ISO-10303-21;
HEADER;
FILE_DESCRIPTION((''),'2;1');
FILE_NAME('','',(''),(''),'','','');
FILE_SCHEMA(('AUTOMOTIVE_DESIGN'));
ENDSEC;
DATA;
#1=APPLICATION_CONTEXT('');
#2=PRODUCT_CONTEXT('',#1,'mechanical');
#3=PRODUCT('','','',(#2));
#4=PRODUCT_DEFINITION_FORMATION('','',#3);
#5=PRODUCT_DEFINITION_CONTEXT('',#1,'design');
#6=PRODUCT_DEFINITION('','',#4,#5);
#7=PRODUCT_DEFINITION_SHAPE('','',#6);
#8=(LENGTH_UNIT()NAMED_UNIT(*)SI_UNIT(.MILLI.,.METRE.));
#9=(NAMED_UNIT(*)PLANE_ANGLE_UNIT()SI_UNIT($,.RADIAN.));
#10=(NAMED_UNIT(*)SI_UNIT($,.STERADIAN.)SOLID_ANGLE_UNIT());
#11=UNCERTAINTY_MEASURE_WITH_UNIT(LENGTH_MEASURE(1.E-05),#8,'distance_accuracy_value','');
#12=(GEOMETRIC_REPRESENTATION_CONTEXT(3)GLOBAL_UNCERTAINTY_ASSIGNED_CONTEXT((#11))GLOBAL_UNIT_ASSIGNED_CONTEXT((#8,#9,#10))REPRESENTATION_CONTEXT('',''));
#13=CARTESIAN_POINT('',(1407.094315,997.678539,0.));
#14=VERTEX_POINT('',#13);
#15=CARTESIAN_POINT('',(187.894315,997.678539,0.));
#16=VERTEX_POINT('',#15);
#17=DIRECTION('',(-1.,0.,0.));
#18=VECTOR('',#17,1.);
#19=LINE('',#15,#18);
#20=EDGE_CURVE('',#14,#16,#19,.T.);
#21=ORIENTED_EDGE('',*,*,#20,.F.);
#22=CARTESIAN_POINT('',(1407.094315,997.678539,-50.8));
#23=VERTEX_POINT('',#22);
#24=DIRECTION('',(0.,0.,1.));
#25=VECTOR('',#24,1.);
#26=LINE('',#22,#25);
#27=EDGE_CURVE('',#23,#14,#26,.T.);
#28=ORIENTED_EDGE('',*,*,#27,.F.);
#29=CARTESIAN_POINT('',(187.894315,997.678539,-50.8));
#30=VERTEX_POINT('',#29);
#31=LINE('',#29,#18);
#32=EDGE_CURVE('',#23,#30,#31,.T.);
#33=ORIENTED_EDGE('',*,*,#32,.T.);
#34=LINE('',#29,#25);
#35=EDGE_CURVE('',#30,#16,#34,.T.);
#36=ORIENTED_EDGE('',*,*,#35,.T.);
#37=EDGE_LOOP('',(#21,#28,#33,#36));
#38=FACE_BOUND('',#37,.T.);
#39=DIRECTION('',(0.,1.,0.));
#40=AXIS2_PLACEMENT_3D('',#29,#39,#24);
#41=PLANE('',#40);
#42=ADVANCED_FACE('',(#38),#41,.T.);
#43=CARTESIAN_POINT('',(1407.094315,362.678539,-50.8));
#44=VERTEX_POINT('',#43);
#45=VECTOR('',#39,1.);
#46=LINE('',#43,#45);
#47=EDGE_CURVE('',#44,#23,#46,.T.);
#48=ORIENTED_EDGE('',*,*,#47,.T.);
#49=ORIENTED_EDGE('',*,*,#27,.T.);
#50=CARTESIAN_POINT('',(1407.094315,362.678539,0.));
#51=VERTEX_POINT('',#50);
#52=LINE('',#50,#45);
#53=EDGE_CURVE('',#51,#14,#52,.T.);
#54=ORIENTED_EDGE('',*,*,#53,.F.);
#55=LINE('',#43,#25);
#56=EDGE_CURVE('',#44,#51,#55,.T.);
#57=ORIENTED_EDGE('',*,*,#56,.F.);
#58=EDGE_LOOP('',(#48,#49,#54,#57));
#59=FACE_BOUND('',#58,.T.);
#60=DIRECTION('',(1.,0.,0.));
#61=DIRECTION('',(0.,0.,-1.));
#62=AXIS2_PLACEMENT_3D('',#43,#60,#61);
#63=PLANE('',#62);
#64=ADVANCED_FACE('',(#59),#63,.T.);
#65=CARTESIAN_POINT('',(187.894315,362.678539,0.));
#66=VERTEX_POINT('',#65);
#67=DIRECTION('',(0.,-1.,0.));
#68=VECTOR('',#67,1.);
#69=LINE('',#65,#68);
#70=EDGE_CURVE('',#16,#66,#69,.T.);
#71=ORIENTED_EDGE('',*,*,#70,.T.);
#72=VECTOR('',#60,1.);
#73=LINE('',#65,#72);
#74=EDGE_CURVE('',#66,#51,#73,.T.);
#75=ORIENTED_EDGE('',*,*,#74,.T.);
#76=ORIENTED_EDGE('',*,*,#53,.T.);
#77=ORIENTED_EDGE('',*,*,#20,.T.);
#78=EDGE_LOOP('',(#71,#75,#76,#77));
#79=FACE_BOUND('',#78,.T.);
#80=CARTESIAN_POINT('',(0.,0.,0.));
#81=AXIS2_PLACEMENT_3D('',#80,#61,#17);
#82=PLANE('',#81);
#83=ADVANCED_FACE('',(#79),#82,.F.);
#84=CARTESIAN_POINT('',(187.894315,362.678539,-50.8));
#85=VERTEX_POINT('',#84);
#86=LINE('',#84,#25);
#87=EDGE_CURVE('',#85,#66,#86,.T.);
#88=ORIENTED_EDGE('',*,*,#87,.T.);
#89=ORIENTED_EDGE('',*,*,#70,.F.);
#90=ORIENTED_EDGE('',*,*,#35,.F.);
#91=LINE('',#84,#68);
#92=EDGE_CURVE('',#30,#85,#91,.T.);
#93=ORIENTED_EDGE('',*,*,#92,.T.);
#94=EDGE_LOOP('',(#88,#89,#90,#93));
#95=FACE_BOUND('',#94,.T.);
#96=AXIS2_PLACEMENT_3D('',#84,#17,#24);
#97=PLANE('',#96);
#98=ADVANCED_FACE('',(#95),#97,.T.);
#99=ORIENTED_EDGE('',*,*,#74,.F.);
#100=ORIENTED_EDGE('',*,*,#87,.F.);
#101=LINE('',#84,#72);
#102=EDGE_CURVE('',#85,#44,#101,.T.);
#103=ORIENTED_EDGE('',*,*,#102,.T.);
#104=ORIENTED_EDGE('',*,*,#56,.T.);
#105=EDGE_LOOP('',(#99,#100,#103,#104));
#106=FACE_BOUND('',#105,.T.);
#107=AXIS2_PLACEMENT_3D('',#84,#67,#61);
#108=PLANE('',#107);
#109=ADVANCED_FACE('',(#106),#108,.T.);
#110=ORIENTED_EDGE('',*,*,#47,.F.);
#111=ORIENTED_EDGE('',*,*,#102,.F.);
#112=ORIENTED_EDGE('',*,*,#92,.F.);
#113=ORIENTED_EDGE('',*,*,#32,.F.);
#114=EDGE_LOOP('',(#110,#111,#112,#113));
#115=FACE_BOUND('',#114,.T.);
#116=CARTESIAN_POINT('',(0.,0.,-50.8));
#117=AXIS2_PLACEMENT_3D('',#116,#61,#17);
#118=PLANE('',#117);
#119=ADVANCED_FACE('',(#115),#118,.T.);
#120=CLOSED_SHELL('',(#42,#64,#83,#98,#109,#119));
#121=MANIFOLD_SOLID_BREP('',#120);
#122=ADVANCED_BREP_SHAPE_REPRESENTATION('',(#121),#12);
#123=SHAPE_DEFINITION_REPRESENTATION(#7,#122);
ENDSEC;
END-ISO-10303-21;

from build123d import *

# Parameters (mm, degrees)
SKETCH2_W           = 1219.2
SKETCH2_H           = 635
BOSS_EXTRUDE1_DEPTH = 50.8


with BuildPart() as part:
    # Sketch2 → Boss-Extrude1 (new body)
    with BuildSketch(Plane(origin=(-46.908497129, 0, 0), x_dir=(1, 0, 0), z_dir=(0, 0, 1))):
        with Locations((844.402811715, 680.178539437)):
            Rectangle(SKETCH2_W, SKETCH2_H)
    extrude(amount=-BOSS_EXTRUDE1_DEPTH)


solid = part.part
